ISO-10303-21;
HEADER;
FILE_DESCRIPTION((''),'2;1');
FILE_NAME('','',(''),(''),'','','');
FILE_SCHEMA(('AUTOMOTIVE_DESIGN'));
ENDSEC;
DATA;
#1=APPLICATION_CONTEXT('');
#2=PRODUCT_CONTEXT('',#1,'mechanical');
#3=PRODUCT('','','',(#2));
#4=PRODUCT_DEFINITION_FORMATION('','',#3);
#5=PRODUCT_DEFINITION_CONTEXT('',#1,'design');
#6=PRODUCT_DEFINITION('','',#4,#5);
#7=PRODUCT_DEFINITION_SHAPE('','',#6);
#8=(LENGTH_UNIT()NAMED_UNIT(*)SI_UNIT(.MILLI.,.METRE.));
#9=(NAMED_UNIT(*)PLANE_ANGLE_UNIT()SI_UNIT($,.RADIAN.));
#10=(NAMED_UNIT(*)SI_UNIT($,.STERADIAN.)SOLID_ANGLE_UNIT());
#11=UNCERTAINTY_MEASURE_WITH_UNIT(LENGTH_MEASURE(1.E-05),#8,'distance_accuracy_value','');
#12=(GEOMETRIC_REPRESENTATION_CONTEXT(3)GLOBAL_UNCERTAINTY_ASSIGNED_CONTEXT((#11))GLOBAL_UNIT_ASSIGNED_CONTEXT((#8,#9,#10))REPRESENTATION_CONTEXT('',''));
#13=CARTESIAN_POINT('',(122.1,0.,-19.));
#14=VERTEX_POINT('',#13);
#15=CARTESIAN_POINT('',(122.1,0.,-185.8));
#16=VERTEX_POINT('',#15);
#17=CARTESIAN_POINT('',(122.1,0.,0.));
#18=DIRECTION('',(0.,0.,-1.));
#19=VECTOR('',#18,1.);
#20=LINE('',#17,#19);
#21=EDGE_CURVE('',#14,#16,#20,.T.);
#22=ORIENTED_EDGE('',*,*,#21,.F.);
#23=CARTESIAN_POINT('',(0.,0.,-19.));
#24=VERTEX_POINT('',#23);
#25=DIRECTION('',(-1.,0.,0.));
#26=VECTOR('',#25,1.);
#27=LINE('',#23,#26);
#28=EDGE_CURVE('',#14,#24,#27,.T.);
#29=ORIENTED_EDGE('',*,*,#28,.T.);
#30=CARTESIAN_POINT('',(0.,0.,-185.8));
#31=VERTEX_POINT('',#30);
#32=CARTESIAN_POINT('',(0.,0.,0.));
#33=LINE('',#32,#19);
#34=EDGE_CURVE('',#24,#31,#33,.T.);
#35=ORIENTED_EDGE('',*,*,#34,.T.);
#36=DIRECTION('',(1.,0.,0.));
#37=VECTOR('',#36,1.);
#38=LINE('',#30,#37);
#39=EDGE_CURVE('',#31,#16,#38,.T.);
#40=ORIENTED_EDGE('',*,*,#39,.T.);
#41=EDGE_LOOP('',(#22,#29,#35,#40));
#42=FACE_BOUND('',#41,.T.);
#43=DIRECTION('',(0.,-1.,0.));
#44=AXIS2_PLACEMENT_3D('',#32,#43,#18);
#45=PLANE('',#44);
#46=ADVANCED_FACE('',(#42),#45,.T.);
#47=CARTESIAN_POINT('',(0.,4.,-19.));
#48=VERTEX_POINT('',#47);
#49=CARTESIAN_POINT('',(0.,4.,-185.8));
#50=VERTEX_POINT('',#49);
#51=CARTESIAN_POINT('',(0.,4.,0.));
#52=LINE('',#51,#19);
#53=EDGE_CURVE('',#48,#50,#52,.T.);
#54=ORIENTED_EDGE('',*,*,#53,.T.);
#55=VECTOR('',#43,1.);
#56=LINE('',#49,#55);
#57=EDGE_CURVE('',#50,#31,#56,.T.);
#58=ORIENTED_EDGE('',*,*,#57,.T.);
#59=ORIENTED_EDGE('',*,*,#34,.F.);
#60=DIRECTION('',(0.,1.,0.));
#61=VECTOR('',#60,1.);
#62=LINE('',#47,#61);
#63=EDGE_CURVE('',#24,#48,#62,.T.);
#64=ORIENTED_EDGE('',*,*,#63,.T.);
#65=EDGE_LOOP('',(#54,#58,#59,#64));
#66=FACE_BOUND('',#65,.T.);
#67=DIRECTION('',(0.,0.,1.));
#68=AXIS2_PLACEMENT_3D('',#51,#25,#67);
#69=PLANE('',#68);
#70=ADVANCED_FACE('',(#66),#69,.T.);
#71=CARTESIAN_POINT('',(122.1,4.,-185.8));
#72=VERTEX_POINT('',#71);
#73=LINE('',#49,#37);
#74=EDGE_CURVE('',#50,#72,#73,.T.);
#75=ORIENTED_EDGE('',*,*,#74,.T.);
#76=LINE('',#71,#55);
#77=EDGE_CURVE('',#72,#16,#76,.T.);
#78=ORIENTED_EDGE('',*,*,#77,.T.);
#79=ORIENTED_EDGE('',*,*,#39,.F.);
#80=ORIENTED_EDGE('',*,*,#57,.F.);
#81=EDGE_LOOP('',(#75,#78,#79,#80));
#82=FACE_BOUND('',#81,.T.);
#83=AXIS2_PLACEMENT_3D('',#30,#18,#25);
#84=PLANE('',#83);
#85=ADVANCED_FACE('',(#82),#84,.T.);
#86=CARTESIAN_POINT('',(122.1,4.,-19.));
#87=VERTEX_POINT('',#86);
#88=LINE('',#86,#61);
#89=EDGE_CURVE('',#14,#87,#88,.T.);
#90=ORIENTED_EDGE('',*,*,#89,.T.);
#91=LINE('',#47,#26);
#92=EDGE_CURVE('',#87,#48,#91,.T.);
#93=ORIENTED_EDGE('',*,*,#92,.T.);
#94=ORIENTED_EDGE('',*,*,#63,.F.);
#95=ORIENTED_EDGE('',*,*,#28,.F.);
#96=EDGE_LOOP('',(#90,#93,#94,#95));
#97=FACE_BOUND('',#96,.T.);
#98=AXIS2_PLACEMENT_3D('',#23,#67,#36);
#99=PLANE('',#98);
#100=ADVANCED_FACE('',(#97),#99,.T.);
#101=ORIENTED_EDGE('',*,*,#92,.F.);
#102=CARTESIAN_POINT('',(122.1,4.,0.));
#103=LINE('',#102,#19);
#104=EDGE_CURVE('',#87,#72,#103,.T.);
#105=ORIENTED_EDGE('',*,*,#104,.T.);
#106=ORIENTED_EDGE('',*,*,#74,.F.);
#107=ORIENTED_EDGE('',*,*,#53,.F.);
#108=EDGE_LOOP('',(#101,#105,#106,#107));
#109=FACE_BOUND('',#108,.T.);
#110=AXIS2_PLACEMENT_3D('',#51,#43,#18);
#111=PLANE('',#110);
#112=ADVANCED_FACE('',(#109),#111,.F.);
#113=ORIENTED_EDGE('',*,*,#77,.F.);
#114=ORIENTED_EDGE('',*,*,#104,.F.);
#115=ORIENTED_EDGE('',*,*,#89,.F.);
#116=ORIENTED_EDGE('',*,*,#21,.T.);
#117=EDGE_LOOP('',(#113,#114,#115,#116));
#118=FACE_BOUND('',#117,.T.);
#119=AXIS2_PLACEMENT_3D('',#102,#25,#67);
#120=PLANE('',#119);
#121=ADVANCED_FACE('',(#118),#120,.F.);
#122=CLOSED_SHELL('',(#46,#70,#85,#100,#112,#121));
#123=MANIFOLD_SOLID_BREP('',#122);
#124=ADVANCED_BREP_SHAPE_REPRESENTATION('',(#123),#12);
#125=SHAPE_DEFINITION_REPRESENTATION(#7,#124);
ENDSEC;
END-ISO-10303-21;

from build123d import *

# Parameters (mm, degrees)
SKETCH2_W           = 122.1
SKETCH2_H           = 192.8
BOSS_EXTRUDE3_DEPTH = 4
SKETCH3_W           = 122.1
SKETCH3_H           = 4
BOSS_EXTRUDE4_DEPTH = 5
SKETCH4_W           = 213.977787157
SKETCH4_H           = 137.124862953
CUT_EXTRUDE1_DEPTH  = 12
SKETCH5_W           = 196.372741807
SKETCH5_H           = 135.766117788
CUT_EXTRUDE2_DEPTH  = 19


with BuildPart() as part:
    # Sketch2 → Boss-Extrude3 (new body)
    with BuildSketch(Plane(origin=(0, 0, 0), x_dir=(1, 0, 0), z_dir=(0, 1, 0))):
        with Locations((61.05, 96.4)):
            Rectangle(SKETCH2_W, SKETCH2_H)
    extrude(amount=BOSS_EXTRUDE3_DEPTH)

    # Sketch3 → Boss-Extrude4 (add)
    with BuildSketch(Plane(origin=(0, 0, -192.8), x_dir=(-1, 0, 0), z_dir=(0, 0, -1))):
        with Locations((-61.05, 2)):
            Rectangle(SKETCH3_W, SKETCH3_H)
    extrude(amount=BOSS_EXTRUDE4_DEPTH)

    # Sketch4 → Cut-Extrude1 (cut)
    with BuildSketch(Plane(origin=(0, 0, -197.8), x_dir=(-1, 0, 0), z_dir=(0, 0, -1))):
        with Locations((-77.102367238, 6.310456311)):
            Rectangle(SKETCH4_W, SKETCH4_H)
    extrude(amount=-CUT_EXTRUDE1_DEPTH, mode=Mode.SUBTRACT)

    # Sketch5 → Cut-Extrude2 (cut)
    with BuildSketch(Plane.XY):
        with Locations((63.791953285, 8.689014337)):
            Rectangle(SKETCH5_W, SKETCH5_H)
    extrude(amount=-CUT_EXTRUDE2_DEPTH, mode=Mode.SUBTRACT)


solid = part.part
